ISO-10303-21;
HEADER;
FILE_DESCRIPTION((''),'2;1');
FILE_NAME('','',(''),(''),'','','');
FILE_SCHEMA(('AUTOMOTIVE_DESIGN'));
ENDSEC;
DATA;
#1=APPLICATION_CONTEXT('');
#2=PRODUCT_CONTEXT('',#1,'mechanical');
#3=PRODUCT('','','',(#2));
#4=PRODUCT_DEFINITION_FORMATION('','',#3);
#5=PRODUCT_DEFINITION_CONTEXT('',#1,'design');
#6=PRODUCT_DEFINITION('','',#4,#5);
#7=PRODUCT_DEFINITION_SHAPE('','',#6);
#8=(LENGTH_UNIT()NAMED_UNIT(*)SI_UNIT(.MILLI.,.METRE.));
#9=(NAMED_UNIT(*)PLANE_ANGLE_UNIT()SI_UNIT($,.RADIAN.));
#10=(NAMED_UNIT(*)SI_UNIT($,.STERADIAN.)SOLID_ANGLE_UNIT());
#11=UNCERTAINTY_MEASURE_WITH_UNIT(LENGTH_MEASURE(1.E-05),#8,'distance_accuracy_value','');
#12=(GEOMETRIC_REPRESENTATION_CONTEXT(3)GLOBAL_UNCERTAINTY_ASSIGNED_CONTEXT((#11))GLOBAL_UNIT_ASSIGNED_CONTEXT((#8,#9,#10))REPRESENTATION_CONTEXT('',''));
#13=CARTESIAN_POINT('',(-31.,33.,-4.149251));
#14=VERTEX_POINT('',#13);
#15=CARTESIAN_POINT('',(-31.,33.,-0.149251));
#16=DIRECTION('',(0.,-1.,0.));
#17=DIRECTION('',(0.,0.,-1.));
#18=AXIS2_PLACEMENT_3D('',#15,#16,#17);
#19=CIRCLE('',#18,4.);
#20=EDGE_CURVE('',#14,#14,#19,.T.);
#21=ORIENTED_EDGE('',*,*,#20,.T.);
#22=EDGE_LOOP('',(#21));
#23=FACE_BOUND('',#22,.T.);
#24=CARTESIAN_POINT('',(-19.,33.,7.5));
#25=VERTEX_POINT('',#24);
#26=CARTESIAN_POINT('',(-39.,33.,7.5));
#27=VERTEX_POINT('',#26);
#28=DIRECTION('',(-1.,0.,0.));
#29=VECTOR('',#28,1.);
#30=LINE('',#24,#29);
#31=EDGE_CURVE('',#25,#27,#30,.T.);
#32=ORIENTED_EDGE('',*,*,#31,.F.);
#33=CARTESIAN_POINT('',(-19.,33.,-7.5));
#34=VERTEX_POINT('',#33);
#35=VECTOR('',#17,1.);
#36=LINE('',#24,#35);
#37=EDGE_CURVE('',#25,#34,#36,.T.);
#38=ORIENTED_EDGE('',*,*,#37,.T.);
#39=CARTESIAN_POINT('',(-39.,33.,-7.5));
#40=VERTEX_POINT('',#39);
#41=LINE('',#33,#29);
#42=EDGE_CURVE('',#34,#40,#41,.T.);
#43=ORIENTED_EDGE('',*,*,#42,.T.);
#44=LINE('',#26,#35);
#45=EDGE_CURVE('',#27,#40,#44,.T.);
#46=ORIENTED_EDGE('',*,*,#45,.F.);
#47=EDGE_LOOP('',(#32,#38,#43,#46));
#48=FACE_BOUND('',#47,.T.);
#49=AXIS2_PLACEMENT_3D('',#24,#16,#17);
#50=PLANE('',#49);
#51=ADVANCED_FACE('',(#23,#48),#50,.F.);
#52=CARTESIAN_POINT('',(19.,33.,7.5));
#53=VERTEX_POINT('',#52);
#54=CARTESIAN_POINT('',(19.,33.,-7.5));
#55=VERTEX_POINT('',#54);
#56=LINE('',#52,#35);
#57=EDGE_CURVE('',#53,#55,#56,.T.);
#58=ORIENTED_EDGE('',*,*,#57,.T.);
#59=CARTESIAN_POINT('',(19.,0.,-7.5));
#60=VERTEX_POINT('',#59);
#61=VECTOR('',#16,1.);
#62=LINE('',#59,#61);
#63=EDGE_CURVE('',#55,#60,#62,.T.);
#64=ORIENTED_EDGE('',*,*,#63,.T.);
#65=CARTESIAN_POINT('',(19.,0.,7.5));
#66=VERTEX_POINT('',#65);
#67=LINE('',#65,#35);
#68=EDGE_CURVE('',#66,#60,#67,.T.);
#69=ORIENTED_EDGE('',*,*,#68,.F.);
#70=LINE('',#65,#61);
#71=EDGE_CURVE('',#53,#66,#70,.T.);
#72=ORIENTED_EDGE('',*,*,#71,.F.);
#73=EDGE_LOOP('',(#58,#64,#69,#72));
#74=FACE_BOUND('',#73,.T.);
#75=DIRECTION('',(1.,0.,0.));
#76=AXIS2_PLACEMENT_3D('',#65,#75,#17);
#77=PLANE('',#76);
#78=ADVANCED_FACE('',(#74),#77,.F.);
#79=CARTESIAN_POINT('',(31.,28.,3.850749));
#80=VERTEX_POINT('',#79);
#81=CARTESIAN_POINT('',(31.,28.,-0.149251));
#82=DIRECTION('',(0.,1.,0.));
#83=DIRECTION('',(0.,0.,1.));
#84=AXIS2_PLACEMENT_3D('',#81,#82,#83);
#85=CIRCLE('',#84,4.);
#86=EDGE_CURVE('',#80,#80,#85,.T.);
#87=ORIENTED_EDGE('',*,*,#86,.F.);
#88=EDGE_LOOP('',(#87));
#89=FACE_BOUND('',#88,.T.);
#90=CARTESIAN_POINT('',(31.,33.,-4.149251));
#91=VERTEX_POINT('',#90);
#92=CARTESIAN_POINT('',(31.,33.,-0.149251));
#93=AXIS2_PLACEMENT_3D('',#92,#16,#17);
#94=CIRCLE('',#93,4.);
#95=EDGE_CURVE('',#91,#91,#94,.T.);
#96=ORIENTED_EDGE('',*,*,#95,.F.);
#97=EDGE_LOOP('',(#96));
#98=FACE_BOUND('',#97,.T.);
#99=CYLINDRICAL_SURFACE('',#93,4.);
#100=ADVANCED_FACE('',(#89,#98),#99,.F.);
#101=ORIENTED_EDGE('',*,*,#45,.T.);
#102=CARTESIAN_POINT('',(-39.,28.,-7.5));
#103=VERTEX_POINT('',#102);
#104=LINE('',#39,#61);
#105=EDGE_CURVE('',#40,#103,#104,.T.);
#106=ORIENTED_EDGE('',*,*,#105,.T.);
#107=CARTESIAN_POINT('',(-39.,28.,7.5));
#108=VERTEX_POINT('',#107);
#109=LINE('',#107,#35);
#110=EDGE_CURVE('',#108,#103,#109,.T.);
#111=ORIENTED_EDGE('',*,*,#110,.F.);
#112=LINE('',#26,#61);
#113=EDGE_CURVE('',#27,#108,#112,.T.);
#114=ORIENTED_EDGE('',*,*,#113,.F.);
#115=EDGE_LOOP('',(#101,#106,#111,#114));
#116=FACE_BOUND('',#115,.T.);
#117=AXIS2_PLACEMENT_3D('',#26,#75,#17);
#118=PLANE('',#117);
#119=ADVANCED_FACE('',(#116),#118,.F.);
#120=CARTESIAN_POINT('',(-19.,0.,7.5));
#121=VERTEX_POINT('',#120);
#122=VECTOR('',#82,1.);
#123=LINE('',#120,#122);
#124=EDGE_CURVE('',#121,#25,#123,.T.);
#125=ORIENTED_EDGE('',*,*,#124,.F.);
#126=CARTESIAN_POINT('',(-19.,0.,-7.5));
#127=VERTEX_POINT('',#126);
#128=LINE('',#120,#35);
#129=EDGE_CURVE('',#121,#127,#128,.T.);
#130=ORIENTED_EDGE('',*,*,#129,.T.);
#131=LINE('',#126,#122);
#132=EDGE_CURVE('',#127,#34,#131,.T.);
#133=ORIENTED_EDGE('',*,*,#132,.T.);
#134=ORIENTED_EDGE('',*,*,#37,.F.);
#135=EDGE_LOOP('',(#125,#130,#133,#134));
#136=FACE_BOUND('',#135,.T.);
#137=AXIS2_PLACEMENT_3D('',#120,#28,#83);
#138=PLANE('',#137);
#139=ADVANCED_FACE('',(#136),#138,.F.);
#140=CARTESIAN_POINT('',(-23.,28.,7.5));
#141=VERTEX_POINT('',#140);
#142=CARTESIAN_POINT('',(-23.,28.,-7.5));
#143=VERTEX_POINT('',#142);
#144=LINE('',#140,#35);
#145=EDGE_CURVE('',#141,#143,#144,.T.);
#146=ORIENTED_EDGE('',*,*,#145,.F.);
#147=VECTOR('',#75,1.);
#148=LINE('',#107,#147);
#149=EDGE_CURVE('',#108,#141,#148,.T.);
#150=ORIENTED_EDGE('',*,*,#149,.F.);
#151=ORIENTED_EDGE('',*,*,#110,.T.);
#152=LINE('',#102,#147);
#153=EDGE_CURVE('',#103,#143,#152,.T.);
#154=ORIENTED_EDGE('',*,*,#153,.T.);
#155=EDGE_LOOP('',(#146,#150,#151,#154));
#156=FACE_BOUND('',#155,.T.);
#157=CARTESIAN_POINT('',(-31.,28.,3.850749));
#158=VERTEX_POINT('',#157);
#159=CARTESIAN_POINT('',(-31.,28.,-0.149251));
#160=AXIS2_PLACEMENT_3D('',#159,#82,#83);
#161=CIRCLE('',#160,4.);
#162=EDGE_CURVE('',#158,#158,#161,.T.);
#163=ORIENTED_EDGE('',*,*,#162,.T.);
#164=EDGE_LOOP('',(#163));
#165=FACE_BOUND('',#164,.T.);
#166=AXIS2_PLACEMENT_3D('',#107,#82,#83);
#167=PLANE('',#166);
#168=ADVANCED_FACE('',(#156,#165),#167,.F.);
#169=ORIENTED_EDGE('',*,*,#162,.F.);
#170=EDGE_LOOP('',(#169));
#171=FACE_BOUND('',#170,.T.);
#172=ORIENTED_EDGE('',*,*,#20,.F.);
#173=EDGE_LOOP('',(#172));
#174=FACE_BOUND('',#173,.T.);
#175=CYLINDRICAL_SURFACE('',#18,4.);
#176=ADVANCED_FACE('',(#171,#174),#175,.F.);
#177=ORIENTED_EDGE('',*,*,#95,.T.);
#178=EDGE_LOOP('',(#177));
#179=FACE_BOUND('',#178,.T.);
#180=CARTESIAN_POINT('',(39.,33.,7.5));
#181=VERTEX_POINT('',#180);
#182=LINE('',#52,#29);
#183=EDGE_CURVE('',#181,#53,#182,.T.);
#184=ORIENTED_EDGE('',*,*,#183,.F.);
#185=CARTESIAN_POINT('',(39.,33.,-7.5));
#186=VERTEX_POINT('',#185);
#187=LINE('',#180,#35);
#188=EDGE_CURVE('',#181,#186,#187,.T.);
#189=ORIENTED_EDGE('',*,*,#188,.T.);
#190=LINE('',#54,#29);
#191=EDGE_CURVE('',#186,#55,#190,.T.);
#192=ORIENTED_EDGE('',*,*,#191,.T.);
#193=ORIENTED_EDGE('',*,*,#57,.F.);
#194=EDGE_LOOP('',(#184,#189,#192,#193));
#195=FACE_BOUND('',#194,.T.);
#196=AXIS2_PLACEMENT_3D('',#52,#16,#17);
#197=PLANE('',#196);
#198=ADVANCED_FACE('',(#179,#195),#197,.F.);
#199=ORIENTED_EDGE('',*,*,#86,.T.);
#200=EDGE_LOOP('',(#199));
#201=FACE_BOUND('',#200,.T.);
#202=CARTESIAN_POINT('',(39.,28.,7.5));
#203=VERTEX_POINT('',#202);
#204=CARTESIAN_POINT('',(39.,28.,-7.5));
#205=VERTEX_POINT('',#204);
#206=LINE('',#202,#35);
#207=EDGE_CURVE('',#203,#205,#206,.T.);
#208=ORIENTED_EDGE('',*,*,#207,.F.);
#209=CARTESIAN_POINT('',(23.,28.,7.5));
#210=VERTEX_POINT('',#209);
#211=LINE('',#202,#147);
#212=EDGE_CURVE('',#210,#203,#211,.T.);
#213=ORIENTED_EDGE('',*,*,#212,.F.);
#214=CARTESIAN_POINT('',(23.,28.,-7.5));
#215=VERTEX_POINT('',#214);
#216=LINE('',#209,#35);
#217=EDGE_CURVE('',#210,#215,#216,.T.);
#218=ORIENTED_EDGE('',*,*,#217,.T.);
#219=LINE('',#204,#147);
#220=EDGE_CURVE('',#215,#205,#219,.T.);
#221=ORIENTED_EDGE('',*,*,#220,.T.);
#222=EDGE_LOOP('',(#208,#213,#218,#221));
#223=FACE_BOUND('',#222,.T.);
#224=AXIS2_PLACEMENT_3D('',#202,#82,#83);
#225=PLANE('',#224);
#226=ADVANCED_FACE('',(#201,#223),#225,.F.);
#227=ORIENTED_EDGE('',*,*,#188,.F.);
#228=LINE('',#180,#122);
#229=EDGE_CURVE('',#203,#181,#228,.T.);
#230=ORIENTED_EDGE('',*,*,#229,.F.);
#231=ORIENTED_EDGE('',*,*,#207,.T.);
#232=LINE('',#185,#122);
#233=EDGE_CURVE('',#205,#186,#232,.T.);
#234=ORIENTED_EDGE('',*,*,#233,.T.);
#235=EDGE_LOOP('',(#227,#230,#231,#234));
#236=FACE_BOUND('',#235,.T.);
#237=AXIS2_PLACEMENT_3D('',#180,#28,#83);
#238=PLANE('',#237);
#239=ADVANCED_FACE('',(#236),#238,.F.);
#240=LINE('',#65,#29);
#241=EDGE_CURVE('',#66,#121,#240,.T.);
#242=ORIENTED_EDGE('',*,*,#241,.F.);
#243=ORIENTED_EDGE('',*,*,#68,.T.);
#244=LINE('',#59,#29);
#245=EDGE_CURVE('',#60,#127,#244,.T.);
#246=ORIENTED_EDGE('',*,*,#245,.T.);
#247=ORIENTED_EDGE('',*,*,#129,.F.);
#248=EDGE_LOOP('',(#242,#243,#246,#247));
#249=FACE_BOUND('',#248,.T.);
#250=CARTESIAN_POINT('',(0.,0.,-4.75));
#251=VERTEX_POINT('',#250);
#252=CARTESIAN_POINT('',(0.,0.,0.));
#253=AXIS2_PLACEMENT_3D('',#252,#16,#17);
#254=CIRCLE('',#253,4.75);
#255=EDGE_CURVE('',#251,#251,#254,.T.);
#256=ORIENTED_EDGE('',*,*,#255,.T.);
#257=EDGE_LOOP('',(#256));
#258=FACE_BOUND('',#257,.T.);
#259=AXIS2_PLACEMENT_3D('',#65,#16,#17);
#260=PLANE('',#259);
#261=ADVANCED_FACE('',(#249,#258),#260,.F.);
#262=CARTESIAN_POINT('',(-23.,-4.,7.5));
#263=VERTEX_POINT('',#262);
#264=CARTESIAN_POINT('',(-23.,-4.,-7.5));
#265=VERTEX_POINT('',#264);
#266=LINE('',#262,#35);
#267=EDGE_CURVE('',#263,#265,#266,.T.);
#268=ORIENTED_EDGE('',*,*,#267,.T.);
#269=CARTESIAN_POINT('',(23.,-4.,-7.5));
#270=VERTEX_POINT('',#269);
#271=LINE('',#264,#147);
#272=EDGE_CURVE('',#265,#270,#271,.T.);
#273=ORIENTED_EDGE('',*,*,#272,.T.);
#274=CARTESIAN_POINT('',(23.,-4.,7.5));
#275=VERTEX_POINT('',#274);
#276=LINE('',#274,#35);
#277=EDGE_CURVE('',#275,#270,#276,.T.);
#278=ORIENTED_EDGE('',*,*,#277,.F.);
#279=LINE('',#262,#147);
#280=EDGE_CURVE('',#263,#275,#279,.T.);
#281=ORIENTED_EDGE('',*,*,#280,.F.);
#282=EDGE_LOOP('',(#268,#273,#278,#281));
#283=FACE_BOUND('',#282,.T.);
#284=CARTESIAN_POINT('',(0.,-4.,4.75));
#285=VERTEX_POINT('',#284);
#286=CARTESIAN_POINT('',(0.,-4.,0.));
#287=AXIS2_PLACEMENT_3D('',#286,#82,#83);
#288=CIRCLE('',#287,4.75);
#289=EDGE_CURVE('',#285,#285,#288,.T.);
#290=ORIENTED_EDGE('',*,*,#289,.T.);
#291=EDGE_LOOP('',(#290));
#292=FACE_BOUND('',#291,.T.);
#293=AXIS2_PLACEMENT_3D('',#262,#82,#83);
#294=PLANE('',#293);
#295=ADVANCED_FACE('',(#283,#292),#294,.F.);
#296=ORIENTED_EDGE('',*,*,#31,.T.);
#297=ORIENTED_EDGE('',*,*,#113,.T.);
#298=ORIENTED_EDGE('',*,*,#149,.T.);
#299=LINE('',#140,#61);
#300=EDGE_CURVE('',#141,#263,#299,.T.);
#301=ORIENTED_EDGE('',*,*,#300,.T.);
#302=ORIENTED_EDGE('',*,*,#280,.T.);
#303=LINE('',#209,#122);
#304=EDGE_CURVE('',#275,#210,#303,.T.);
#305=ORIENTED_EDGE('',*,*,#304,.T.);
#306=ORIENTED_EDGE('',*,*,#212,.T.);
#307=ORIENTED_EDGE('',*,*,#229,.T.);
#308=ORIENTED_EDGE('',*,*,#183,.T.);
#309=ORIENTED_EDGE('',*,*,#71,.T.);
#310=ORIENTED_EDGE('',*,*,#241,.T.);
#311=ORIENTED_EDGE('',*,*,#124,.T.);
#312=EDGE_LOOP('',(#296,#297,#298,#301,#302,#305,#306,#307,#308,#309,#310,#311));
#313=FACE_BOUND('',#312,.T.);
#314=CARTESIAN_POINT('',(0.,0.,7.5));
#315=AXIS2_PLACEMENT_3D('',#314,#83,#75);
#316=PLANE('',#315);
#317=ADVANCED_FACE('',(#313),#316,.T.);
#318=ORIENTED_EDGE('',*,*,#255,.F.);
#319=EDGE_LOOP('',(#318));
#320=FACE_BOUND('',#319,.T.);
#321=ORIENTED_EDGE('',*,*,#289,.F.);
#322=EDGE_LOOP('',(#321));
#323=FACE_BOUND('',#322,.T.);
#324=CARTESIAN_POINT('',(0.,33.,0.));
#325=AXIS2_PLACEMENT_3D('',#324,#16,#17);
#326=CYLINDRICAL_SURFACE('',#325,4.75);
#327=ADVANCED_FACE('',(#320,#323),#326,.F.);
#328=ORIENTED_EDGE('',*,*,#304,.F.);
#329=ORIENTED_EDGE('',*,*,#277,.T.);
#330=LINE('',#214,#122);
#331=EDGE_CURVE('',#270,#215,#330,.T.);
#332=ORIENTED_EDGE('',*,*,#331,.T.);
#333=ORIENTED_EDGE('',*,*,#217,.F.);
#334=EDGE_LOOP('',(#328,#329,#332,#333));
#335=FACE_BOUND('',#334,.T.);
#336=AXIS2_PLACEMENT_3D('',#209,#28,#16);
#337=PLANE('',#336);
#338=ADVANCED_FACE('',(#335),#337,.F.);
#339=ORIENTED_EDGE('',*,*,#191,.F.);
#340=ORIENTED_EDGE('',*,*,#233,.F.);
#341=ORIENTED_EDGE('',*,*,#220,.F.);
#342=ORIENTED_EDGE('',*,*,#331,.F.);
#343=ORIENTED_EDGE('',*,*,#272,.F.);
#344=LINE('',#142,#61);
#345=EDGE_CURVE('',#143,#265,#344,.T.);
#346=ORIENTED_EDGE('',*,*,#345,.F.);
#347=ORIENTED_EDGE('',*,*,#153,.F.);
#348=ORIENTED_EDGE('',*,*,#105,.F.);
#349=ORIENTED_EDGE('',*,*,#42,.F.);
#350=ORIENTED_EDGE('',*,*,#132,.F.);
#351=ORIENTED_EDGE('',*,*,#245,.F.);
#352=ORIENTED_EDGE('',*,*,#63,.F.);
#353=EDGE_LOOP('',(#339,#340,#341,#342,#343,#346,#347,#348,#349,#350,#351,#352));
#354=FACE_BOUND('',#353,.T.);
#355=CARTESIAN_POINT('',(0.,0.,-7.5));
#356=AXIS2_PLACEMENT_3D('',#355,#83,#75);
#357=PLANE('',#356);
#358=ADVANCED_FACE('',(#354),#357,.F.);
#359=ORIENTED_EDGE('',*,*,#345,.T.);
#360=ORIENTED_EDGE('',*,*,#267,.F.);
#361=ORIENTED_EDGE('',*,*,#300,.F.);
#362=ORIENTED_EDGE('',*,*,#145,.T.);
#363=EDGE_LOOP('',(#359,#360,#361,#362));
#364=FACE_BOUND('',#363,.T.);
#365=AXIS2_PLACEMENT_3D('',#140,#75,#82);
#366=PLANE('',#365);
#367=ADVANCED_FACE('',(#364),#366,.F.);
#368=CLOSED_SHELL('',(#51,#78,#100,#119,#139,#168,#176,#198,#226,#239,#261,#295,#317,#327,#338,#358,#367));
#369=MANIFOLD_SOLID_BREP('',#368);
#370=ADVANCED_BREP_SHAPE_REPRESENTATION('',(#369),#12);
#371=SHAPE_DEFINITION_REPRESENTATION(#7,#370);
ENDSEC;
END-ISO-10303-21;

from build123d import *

# Parameters (mm, degrees)
RESSALTO_EXTRUS_O1_DEPTH   = 7.5
CORTE_EXTRUS_O2_DEPTH      = 55.27936993
CORTE_EXTRUS_O2_DEPTH_BACK = 55.27936993
ESBO_O3_R                  = 4.75
CORTE_EXTRUS_O3_DEPTH      = 52.002450921
CORTE_EXTRUS_O3_DEPTH_BACK = 52.002450921
ESBO_O4_R                  = 4


with BuildPart() as part:
    # Esboço1 → Ressalto-extrusão1 (new, symmetric)
    with BuildSketch(Plane.XY):
        Polygon((19, 0), (-19, 0), (-19, 33), (-39, 33), (-39, 28), (-23, 28), (-23, -4), (23, -4), (23, 28), (39, 28), (39, 33), (19, 33), align=None)
    extrude(amount=RESSALTO_EXTRUS_O1_DEPTH, both=True)

    # Esboço3 → Corte-extrusão2 (cut, two sides: drawn at the far end of the back side and taken through both)
    with BuildSketch(Plane(origin=(0, -4, 0), x_dir=(-1, 0, 0), z_dir=(0, -1, 0)).offset(-CORTE_EXTRUS_O2_DEPTH_BACK)):
        with Locations(Location((0, 0, 0), (0, 0, 90))):
            Circle(ESBO_O3_R)
    extrude(amount=CORTE_EXTRUS_O2_DEPTH + CORTE_EXTRUS_O2_DEPTH_BACK, mode=Mode.SUBTRACT)

    # Esboço4 → Corte-extrusão3 (cut, two sides: drawn at the far end of the back side and taken through both)
    with BuildSketch(Plane(origin=(0, 28, 0), x_dir=(-1, 0, 0), z_dir=(0, -1, 0)).offset(-CORTE_EXTRUS_O3_DEPTH_BACK)):
        with Locations(Location((31, 0.149250584, 0), (0, 0, 90))):
            Circle(ESBO_O4_R)
        with Locations(Location((-31, 0.149250584, 0), (0, 0, 90))):
            Circle(ESBO_O4_R)
    extrude(amount=CORTE_EXTRUS_O3_DEPTH + CORTE_EXTRUS_O3_DEPTH_BACK, mode=Mode.SUBTRACT)


solid = part.part
